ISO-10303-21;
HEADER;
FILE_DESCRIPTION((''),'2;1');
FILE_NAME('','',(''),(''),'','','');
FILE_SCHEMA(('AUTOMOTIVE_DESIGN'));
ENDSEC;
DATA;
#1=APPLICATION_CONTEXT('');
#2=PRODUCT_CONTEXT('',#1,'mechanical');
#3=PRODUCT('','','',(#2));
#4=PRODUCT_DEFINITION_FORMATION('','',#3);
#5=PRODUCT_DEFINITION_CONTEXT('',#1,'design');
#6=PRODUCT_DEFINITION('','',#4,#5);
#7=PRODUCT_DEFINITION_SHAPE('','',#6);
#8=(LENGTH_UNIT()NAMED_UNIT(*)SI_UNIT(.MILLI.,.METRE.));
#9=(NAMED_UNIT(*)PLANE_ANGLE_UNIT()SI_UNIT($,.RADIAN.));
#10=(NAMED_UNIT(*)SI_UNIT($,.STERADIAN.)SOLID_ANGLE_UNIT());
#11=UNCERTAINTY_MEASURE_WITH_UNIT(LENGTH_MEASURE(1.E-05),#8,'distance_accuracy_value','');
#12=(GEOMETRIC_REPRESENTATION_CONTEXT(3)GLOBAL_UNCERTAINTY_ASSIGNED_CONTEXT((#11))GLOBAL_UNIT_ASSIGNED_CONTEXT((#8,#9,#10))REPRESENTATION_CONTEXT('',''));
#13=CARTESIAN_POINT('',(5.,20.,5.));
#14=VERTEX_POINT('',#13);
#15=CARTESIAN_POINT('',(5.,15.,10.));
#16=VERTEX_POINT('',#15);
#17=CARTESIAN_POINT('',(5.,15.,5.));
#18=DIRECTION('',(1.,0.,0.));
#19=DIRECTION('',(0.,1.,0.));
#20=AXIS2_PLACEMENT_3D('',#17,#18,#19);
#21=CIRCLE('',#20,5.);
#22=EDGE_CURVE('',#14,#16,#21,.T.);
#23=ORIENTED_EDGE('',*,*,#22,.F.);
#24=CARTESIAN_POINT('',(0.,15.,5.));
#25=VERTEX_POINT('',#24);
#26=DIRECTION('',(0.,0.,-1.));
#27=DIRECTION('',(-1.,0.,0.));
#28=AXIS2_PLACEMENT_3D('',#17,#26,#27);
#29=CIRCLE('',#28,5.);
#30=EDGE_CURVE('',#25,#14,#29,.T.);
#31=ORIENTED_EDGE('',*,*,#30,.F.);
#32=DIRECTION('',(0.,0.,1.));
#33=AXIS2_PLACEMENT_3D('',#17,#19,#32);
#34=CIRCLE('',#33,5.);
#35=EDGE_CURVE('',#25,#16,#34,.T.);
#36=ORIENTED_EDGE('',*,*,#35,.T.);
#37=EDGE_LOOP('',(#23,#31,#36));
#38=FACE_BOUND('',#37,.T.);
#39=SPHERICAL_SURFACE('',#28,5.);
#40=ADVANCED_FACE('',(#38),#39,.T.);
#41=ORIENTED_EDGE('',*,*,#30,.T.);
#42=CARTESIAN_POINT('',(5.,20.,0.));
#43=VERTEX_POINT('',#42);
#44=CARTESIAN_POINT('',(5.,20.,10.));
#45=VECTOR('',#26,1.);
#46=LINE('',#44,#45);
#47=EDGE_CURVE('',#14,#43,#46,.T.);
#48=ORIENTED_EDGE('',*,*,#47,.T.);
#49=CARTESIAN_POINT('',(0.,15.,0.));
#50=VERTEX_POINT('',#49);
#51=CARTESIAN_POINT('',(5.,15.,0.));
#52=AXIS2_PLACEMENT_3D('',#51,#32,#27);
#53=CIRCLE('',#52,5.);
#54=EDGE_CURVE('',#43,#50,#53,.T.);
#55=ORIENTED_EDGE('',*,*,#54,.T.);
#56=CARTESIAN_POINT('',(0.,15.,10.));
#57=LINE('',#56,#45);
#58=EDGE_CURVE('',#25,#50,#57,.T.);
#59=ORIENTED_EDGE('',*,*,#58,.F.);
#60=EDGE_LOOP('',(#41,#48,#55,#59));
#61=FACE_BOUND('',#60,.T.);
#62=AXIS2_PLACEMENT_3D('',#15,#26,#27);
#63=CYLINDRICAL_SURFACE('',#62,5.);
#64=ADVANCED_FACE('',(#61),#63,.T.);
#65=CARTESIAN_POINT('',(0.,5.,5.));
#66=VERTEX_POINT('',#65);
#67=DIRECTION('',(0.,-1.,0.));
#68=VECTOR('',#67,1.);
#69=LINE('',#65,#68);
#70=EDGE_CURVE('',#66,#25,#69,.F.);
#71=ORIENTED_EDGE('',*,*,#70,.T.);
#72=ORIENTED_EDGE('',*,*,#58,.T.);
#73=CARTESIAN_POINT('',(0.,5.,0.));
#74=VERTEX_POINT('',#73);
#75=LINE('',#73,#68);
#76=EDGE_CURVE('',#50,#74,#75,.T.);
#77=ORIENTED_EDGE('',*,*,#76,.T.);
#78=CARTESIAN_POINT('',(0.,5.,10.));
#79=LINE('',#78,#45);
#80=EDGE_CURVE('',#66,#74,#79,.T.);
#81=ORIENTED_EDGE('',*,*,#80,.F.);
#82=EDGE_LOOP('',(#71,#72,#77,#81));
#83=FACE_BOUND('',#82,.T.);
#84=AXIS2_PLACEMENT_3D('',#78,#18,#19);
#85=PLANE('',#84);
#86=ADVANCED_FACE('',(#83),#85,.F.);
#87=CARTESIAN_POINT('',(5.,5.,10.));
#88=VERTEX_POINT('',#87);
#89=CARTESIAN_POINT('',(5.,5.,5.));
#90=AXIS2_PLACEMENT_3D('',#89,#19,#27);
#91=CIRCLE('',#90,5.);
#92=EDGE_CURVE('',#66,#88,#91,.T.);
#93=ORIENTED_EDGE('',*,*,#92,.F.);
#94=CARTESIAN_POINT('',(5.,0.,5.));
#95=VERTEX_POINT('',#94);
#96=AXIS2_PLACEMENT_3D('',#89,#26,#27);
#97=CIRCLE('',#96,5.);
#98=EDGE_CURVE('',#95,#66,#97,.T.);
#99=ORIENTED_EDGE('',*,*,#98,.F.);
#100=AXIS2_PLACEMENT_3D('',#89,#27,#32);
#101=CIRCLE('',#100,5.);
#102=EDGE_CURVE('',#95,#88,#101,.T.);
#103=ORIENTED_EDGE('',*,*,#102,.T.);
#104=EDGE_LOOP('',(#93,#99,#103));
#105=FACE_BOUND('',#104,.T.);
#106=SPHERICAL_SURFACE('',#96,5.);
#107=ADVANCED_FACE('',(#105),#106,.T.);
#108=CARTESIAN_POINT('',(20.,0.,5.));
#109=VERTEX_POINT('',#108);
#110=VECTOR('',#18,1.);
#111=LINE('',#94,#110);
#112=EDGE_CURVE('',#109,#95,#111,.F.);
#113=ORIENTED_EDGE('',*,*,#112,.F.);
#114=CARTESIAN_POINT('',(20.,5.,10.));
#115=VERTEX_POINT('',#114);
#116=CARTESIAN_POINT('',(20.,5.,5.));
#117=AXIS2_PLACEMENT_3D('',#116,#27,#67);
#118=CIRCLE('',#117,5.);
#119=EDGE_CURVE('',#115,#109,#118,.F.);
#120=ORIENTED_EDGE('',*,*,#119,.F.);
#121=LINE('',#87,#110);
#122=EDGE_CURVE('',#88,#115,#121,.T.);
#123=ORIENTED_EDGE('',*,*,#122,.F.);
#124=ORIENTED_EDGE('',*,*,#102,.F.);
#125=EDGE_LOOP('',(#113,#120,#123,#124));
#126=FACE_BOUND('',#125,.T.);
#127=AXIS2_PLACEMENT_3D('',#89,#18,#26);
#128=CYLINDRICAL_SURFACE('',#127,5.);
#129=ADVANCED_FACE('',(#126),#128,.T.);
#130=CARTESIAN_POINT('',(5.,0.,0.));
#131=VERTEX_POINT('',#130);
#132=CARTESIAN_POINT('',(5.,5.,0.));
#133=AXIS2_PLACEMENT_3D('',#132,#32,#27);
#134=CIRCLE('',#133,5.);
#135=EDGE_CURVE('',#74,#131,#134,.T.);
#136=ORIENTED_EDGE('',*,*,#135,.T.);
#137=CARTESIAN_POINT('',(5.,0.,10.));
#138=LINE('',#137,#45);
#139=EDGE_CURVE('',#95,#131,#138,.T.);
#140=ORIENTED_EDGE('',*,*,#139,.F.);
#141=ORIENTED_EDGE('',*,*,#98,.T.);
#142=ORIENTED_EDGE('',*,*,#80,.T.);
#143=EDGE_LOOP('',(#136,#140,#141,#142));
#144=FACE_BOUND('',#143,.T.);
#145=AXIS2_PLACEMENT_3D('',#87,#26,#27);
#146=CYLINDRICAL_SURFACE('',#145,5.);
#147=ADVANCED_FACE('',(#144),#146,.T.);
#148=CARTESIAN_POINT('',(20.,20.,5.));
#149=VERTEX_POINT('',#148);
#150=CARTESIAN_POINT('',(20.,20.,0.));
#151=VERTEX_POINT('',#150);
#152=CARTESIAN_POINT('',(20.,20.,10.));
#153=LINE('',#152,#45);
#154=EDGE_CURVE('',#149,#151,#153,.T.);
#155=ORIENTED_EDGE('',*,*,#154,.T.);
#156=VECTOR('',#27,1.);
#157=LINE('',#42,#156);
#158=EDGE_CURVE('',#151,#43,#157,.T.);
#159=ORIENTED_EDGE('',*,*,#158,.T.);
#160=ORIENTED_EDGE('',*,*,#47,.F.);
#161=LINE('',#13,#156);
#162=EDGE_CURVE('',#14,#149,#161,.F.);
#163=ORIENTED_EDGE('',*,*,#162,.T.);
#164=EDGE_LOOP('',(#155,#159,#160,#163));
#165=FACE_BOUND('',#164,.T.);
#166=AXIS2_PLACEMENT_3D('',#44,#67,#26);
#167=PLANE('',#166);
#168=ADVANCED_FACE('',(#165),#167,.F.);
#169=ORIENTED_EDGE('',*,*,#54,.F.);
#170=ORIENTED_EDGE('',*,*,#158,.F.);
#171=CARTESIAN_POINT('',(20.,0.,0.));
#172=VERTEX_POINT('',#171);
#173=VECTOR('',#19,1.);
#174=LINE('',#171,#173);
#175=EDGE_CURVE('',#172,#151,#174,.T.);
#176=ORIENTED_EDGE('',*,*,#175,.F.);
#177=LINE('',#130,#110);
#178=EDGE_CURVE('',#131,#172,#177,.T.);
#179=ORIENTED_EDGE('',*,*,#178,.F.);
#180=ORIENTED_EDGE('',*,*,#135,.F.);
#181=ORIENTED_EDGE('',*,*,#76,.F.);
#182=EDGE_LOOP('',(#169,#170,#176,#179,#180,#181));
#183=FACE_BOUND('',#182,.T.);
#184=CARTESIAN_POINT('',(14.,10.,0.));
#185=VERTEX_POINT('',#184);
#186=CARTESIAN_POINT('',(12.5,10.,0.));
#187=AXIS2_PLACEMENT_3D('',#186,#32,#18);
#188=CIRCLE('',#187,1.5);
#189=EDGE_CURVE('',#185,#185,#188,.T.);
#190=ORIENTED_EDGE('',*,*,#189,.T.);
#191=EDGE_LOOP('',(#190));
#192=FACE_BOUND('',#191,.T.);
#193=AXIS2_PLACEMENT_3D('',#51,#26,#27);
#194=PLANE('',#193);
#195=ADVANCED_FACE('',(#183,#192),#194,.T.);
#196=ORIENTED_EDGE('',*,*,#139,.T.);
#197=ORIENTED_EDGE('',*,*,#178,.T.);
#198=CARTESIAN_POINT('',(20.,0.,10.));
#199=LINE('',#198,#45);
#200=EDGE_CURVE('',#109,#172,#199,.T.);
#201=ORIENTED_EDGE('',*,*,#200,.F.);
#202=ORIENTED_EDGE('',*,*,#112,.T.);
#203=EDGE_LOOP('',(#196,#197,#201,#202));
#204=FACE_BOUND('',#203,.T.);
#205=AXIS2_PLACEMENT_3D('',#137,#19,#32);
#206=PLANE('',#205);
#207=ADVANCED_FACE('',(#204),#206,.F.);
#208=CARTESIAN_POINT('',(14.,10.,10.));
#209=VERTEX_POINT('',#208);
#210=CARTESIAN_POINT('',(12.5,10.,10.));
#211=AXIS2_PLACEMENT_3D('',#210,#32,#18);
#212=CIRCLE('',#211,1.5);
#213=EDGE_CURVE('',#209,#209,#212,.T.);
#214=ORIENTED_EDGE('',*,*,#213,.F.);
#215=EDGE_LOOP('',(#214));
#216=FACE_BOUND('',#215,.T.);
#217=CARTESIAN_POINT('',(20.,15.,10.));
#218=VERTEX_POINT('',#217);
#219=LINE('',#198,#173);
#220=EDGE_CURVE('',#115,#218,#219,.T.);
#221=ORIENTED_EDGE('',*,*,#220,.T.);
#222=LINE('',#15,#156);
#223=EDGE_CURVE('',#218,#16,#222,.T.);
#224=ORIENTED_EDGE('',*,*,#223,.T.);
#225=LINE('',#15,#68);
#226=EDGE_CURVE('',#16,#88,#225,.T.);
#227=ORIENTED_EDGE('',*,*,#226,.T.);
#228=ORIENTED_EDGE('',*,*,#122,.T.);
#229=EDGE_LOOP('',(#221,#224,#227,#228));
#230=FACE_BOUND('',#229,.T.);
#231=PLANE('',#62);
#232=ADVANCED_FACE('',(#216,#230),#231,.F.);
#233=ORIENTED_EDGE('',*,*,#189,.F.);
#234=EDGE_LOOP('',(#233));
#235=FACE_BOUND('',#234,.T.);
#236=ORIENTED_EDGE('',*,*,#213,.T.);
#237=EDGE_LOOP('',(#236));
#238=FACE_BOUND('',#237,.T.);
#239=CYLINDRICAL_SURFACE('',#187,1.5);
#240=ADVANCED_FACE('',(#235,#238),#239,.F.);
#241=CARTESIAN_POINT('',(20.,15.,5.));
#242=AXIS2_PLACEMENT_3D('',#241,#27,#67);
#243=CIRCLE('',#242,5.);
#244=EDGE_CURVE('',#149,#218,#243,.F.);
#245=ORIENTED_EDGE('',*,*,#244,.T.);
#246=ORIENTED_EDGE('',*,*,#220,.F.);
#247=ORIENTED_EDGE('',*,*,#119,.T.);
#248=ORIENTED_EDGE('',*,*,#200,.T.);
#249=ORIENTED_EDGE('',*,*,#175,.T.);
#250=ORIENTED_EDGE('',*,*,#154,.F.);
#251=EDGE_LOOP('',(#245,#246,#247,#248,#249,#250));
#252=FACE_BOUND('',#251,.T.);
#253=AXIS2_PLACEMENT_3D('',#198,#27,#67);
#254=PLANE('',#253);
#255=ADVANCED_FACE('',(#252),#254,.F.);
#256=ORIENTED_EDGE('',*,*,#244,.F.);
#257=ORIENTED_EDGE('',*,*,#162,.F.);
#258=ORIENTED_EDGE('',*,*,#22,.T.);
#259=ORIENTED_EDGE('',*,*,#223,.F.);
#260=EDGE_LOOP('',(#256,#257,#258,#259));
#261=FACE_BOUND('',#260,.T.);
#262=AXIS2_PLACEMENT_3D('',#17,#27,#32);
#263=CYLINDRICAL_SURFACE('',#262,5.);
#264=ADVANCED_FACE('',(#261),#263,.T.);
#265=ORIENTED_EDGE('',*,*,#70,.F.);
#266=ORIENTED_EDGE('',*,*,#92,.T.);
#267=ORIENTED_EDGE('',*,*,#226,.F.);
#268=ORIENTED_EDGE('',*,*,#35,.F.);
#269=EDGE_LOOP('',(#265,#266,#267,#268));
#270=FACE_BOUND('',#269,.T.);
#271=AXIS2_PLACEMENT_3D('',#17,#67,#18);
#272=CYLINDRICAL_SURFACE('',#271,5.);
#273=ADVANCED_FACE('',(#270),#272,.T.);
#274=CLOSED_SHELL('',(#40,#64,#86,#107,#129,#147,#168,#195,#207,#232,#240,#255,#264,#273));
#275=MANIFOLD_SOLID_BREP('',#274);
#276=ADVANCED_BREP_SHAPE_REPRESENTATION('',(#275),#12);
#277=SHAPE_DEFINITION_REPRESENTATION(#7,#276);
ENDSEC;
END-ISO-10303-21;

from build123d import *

# Parameters (mm, degrees)
BOSS_EXTRU_1_DEPTH      = 10
CONG_1_R                = 5
ESQUISSE2_R             = 1.5
ENL_V_MAT_EXTRU_1_DEPTH = 10


with BuildPart() as part:
    # Esquisse1 → Boss.-Extru.1 (new body)
    with BuildSketch(Plane.XY):
        with BuildLine():
            Line((5, 0), (20, 0))
            Line((20, 0), (20, 20))
            Line((20, 20), (5, 20))
            ThreePointArc((5, 20), (1.464466094, 18.535533906), (0, 15))
            Line((0, 15), (0, 5))
            ThreePointArc((0, 5), (1.464466094, 1.464466094), (5, 0))
        make_face()
    extrude(amount=BOSS_EXTRU_1_DEPTH)

    # Congé1
    cong_1_edges = [part.edges().sort_by_distance(p)[0] for p in [
        (1.464466094, 18.535533906, 10),
        (0, 10, 10),
        (1.464466094, 1.464466094, 10),
        (12.5, 0, 10),
        (12.5, 20, 10),
    ]]
    fillet(cong_1_edges, radius=CONG_1_R)

    # Esquisse2 → Enlèv. mat.-Extru.1 (cut)
    with BuildSketch(Plane.XY.offset(10)):
        with Locations((12.5, 10)):
            Circle(ESQUISSE2_R)
    extrude(amount=-ENL_V_MAT_EXTRU_1_DEPTH, mode=Mode.SUBTRACT)


solid = part.part
